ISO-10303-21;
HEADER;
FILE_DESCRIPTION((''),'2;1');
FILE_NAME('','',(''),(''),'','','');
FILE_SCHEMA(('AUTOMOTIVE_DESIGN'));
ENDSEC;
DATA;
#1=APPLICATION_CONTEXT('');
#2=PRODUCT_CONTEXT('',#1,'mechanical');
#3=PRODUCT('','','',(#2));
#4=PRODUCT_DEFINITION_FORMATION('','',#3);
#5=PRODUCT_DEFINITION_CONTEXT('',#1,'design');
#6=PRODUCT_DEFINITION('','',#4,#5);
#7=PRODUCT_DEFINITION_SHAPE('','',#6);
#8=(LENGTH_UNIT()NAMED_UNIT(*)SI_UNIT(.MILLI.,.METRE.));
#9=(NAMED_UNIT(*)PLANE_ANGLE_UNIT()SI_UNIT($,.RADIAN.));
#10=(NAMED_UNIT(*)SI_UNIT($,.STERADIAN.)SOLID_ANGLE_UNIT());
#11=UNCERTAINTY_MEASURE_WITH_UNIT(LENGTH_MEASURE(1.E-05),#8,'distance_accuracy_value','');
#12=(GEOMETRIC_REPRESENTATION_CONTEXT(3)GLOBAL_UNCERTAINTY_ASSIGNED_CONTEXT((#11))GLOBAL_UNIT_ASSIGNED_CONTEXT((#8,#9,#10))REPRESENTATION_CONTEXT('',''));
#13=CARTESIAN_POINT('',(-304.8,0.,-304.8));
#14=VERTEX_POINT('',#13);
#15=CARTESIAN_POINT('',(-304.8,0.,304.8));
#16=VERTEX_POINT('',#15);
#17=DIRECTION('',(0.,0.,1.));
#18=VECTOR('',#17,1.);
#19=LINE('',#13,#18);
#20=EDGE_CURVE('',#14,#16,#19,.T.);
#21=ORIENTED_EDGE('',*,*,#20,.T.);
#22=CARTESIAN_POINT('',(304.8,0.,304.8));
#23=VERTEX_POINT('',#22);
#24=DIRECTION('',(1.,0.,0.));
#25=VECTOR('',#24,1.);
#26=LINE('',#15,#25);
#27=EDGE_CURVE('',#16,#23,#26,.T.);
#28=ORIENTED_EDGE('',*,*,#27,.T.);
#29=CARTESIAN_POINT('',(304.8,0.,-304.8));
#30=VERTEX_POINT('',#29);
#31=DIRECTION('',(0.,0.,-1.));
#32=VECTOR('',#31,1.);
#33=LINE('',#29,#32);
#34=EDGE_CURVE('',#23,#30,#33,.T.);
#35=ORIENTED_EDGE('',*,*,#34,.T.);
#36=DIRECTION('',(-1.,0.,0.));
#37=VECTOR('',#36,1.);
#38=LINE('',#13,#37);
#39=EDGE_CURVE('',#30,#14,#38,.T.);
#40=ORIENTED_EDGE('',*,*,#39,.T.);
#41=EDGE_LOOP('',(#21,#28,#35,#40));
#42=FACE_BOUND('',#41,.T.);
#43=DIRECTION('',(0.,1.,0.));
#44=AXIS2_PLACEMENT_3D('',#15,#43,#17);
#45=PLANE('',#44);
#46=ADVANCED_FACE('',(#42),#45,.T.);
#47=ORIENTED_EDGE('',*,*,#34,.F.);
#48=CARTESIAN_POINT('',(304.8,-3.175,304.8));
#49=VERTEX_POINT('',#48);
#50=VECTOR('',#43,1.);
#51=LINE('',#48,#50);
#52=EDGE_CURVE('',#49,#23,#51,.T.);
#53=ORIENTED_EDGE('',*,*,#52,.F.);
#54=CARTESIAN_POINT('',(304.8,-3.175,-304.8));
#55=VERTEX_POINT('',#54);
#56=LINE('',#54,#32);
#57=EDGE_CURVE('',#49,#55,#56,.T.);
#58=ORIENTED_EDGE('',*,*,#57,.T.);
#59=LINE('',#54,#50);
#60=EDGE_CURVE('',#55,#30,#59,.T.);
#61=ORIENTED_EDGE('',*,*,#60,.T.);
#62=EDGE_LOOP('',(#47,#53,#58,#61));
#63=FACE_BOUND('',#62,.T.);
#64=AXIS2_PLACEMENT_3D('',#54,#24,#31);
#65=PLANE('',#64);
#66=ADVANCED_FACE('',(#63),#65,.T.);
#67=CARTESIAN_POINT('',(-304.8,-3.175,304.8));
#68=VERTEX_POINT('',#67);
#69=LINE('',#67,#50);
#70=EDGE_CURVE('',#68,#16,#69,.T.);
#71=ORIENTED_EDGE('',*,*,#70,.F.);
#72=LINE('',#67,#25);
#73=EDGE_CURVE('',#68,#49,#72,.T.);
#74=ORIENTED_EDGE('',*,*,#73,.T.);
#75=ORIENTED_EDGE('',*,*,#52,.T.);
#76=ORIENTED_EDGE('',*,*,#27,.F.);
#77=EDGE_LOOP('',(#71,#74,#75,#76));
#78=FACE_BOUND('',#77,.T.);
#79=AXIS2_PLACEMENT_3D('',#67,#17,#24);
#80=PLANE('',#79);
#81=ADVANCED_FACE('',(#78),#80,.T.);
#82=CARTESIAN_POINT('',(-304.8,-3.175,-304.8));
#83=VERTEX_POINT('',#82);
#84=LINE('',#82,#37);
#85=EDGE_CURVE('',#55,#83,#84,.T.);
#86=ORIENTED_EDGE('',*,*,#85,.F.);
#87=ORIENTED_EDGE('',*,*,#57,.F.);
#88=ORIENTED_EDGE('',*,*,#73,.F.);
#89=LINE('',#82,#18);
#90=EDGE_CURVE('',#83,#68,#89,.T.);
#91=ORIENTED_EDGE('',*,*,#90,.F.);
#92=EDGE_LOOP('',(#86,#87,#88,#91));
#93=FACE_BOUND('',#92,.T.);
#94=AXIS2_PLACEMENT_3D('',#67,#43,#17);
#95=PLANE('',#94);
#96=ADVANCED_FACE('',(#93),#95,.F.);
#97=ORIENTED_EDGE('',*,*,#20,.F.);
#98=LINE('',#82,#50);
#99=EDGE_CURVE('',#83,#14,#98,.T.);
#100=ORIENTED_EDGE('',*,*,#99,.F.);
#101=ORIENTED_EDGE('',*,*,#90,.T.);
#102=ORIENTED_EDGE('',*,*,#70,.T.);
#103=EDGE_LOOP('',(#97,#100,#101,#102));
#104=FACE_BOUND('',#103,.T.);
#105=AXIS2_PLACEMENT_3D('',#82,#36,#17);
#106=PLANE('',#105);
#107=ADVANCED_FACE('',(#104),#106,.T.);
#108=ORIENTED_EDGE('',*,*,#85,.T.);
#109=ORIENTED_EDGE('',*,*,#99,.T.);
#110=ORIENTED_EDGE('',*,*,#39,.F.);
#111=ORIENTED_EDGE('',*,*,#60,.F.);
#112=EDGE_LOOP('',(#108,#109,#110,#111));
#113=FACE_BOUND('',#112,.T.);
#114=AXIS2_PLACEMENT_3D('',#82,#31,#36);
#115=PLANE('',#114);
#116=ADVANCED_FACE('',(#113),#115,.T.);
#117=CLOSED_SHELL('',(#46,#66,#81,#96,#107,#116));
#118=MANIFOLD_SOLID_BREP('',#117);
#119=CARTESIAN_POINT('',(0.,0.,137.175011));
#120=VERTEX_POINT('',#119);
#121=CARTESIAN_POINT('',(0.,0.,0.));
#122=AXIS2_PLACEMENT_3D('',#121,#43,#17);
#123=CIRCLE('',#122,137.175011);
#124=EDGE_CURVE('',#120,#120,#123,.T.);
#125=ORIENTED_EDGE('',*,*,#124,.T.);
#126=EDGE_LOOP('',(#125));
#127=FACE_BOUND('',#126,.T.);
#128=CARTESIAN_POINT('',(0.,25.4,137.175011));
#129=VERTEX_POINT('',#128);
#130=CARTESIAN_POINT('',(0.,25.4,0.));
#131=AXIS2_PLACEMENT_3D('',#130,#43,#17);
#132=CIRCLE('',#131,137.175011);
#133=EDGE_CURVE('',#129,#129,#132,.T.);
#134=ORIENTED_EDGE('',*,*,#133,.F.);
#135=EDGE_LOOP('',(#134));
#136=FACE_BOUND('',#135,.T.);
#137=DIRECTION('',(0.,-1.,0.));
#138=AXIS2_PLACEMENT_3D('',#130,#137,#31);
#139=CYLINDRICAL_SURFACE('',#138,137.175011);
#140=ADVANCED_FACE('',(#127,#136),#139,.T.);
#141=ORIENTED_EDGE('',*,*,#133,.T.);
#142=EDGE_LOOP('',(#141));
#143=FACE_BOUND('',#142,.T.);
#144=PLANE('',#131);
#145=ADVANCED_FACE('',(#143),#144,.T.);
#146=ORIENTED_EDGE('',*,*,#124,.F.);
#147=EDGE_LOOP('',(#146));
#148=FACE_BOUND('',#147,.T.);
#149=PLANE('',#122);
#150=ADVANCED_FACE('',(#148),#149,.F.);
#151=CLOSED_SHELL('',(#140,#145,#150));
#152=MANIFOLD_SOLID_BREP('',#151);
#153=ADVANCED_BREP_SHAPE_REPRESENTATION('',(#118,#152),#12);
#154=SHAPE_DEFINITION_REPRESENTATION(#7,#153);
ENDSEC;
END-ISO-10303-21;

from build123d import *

# Parameters (mm, degrees)
SKETCH1_W      = 609.6
SKETCH1_H      = 609.6
EXTRUDE1_DEPTH = 3.175
SKETCH3_R      = 137.175010905
EXTRUDE2_DEPTH = 25.4


with BuildPart() as part:
    # Sketch1 → Extrude1 (new body)
    with BuildSketch(Plane(origin=(0, 0, 0), x_dir=(1, 0, 0), z_dir=(0, 1, 0))):
        Rectangle(SKETCH1_W, SKETCH1_H)
    extrude(amount=-EXTRUDE1_DEPTH)


with BuildPart() as body_2:
    # sketch3 → Extrude2 (new body)
    with BuildSketch(Plane(origin=(0, 0, 0), x_dir=(-1, 0, 0), z_dir=(0, 1, 0))):
        Circle(SKETCH3_R)
    extrude(amount=EXTRUDE2_DEPTH)


solid = Compound([part.part, body_2.part])
